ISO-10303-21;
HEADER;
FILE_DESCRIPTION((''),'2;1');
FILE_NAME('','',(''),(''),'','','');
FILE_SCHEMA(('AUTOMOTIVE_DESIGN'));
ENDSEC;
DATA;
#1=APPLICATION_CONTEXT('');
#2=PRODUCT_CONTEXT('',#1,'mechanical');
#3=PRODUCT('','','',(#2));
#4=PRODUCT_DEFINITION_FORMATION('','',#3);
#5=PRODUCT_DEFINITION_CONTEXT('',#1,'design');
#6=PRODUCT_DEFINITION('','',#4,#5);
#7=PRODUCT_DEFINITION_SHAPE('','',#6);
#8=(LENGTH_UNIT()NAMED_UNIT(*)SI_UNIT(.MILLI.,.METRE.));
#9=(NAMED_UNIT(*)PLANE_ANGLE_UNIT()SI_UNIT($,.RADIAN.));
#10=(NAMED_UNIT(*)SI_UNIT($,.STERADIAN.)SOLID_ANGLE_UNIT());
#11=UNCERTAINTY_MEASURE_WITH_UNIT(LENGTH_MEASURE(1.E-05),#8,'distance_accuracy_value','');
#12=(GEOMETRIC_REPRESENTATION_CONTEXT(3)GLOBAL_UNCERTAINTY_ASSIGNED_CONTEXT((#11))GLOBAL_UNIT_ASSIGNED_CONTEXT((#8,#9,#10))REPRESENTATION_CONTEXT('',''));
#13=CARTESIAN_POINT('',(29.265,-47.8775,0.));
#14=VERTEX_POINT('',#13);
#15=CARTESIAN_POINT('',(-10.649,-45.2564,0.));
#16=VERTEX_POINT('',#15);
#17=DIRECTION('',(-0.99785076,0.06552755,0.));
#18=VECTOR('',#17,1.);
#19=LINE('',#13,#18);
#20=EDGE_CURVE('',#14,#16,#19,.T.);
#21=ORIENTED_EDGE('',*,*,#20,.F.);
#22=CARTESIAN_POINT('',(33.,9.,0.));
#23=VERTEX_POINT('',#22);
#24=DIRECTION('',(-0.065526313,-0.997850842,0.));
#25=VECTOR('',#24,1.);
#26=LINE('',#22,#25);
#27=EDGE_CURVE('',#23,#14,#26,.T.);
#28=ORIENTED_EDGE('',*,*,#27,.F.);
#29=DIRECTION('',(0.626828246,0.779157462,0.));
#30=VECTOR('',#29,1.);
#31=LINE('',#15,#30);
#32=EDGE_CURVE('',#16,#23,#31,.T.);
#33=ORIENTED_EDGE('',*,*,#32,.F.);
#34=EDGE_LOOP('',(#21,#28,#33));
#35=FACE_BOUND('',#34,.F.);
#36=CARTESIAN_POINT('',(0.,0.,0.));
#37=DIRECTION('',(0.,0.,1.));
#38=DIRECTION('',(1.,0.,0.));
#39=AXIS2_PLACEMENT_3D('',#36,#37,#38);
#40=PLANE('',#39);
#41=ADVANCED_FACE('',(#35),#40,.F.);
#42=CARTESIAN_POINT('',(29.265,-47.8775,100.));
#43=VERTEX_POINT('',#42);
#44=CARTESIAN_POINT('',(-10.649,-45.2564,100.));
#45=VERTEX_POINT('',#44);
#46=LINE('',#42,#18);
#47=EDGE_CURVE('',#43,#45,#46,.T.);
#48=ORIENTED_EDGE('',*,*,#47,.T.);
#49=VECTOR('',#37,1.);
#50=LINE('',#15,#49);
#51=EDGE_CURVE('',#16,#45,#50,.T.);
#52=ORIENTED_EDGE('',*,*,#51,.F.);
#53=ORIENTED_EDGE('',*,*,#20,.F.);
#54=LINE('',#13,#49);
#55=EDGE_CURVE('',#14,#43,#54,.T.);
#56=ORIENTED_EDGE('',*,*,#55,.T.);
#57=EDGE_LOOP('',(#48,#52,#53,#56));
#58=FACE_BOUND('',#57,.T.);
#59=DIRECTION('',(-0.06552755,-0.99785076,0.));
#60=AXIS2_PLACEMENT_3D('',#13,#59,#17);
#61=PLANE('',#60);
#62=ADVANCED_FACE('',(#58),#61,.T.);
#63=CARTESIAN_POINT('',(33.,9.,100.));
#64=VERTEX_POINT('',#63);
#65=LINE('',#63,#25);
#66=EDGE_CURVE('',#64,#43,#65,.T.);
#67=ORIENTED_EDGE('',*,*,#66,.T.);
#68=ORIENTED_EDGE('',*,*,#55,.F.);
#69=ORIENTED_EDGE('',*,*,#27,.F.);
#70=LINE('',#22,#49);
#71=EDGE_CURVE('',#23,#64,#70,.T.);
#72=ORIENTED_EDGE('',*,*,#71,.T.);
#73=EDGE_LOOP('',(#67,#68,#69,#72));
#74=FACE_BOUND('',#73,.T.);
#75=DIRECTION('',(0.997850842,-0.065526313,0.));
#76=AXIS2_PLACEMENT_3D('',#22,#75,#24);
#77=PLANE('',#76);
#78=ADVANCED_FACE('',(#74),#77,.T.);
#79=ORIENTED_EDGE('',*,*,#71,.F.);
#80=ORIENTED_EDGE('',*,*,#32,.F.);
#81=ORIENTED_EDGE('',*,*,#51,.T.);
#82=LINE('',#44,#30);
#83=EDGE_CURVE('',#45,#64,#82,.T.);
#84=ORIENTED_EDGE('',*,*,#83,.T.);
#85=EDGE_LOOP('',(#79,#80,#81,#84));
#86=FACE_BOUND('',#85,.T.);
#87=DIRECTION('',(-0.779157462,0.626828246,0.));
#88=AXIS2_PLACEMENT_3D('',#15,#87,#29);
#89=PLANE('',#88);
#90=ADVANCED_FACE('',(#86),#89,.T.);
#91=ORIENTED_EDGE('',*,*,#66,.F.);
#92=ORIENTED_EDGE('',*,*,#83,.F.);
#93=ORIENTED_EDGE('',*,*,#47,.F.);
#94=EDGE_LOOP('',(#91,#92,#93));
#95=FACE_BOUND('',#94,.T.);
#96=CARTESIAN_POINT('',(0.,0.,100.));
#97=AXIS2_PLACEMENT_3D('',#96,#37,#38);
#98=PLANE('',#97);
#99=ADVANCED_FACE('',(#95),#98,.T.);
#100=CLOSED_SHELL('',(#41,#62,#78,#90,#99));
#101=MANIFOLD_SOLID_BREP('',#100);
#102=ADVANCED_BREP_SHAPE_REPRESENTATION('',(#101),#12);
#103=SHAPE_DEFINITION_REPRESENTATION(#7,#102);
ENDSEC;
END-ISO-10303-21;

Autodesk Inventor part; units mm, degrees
ref_plane "YZ Plane" through (0, 0, 0) normal (1, 0, 0) x (0, 1, 0)
ref_plane "XZ Plane" through (0, 0, 0) normal (0, 1, 0) x (-1, 0, 0)
ref_plane "XY Plane" through (0, 0, 0) normal (0, 0, 1) x (1, 0, 0)
sketch "Szkic1" plane through (0, 0, 0) normal (0, 0, 1) x (1, 0, 0)
  line L0 (33, 9) -> (29.265, -47.8775)
  line L1 (29.265, -47.8775) -> (-10.649, -45.2564)
  line L2 (-10.649, -45.2564) -> (33, 9)
  point P0 (0, 0)
  dimension "d0" = 40
  dimension "d1" = 57
extrude "Wyciągnięcie proste1" add sketch "Szkic1" along normal blind 100
properties part number "prod"
